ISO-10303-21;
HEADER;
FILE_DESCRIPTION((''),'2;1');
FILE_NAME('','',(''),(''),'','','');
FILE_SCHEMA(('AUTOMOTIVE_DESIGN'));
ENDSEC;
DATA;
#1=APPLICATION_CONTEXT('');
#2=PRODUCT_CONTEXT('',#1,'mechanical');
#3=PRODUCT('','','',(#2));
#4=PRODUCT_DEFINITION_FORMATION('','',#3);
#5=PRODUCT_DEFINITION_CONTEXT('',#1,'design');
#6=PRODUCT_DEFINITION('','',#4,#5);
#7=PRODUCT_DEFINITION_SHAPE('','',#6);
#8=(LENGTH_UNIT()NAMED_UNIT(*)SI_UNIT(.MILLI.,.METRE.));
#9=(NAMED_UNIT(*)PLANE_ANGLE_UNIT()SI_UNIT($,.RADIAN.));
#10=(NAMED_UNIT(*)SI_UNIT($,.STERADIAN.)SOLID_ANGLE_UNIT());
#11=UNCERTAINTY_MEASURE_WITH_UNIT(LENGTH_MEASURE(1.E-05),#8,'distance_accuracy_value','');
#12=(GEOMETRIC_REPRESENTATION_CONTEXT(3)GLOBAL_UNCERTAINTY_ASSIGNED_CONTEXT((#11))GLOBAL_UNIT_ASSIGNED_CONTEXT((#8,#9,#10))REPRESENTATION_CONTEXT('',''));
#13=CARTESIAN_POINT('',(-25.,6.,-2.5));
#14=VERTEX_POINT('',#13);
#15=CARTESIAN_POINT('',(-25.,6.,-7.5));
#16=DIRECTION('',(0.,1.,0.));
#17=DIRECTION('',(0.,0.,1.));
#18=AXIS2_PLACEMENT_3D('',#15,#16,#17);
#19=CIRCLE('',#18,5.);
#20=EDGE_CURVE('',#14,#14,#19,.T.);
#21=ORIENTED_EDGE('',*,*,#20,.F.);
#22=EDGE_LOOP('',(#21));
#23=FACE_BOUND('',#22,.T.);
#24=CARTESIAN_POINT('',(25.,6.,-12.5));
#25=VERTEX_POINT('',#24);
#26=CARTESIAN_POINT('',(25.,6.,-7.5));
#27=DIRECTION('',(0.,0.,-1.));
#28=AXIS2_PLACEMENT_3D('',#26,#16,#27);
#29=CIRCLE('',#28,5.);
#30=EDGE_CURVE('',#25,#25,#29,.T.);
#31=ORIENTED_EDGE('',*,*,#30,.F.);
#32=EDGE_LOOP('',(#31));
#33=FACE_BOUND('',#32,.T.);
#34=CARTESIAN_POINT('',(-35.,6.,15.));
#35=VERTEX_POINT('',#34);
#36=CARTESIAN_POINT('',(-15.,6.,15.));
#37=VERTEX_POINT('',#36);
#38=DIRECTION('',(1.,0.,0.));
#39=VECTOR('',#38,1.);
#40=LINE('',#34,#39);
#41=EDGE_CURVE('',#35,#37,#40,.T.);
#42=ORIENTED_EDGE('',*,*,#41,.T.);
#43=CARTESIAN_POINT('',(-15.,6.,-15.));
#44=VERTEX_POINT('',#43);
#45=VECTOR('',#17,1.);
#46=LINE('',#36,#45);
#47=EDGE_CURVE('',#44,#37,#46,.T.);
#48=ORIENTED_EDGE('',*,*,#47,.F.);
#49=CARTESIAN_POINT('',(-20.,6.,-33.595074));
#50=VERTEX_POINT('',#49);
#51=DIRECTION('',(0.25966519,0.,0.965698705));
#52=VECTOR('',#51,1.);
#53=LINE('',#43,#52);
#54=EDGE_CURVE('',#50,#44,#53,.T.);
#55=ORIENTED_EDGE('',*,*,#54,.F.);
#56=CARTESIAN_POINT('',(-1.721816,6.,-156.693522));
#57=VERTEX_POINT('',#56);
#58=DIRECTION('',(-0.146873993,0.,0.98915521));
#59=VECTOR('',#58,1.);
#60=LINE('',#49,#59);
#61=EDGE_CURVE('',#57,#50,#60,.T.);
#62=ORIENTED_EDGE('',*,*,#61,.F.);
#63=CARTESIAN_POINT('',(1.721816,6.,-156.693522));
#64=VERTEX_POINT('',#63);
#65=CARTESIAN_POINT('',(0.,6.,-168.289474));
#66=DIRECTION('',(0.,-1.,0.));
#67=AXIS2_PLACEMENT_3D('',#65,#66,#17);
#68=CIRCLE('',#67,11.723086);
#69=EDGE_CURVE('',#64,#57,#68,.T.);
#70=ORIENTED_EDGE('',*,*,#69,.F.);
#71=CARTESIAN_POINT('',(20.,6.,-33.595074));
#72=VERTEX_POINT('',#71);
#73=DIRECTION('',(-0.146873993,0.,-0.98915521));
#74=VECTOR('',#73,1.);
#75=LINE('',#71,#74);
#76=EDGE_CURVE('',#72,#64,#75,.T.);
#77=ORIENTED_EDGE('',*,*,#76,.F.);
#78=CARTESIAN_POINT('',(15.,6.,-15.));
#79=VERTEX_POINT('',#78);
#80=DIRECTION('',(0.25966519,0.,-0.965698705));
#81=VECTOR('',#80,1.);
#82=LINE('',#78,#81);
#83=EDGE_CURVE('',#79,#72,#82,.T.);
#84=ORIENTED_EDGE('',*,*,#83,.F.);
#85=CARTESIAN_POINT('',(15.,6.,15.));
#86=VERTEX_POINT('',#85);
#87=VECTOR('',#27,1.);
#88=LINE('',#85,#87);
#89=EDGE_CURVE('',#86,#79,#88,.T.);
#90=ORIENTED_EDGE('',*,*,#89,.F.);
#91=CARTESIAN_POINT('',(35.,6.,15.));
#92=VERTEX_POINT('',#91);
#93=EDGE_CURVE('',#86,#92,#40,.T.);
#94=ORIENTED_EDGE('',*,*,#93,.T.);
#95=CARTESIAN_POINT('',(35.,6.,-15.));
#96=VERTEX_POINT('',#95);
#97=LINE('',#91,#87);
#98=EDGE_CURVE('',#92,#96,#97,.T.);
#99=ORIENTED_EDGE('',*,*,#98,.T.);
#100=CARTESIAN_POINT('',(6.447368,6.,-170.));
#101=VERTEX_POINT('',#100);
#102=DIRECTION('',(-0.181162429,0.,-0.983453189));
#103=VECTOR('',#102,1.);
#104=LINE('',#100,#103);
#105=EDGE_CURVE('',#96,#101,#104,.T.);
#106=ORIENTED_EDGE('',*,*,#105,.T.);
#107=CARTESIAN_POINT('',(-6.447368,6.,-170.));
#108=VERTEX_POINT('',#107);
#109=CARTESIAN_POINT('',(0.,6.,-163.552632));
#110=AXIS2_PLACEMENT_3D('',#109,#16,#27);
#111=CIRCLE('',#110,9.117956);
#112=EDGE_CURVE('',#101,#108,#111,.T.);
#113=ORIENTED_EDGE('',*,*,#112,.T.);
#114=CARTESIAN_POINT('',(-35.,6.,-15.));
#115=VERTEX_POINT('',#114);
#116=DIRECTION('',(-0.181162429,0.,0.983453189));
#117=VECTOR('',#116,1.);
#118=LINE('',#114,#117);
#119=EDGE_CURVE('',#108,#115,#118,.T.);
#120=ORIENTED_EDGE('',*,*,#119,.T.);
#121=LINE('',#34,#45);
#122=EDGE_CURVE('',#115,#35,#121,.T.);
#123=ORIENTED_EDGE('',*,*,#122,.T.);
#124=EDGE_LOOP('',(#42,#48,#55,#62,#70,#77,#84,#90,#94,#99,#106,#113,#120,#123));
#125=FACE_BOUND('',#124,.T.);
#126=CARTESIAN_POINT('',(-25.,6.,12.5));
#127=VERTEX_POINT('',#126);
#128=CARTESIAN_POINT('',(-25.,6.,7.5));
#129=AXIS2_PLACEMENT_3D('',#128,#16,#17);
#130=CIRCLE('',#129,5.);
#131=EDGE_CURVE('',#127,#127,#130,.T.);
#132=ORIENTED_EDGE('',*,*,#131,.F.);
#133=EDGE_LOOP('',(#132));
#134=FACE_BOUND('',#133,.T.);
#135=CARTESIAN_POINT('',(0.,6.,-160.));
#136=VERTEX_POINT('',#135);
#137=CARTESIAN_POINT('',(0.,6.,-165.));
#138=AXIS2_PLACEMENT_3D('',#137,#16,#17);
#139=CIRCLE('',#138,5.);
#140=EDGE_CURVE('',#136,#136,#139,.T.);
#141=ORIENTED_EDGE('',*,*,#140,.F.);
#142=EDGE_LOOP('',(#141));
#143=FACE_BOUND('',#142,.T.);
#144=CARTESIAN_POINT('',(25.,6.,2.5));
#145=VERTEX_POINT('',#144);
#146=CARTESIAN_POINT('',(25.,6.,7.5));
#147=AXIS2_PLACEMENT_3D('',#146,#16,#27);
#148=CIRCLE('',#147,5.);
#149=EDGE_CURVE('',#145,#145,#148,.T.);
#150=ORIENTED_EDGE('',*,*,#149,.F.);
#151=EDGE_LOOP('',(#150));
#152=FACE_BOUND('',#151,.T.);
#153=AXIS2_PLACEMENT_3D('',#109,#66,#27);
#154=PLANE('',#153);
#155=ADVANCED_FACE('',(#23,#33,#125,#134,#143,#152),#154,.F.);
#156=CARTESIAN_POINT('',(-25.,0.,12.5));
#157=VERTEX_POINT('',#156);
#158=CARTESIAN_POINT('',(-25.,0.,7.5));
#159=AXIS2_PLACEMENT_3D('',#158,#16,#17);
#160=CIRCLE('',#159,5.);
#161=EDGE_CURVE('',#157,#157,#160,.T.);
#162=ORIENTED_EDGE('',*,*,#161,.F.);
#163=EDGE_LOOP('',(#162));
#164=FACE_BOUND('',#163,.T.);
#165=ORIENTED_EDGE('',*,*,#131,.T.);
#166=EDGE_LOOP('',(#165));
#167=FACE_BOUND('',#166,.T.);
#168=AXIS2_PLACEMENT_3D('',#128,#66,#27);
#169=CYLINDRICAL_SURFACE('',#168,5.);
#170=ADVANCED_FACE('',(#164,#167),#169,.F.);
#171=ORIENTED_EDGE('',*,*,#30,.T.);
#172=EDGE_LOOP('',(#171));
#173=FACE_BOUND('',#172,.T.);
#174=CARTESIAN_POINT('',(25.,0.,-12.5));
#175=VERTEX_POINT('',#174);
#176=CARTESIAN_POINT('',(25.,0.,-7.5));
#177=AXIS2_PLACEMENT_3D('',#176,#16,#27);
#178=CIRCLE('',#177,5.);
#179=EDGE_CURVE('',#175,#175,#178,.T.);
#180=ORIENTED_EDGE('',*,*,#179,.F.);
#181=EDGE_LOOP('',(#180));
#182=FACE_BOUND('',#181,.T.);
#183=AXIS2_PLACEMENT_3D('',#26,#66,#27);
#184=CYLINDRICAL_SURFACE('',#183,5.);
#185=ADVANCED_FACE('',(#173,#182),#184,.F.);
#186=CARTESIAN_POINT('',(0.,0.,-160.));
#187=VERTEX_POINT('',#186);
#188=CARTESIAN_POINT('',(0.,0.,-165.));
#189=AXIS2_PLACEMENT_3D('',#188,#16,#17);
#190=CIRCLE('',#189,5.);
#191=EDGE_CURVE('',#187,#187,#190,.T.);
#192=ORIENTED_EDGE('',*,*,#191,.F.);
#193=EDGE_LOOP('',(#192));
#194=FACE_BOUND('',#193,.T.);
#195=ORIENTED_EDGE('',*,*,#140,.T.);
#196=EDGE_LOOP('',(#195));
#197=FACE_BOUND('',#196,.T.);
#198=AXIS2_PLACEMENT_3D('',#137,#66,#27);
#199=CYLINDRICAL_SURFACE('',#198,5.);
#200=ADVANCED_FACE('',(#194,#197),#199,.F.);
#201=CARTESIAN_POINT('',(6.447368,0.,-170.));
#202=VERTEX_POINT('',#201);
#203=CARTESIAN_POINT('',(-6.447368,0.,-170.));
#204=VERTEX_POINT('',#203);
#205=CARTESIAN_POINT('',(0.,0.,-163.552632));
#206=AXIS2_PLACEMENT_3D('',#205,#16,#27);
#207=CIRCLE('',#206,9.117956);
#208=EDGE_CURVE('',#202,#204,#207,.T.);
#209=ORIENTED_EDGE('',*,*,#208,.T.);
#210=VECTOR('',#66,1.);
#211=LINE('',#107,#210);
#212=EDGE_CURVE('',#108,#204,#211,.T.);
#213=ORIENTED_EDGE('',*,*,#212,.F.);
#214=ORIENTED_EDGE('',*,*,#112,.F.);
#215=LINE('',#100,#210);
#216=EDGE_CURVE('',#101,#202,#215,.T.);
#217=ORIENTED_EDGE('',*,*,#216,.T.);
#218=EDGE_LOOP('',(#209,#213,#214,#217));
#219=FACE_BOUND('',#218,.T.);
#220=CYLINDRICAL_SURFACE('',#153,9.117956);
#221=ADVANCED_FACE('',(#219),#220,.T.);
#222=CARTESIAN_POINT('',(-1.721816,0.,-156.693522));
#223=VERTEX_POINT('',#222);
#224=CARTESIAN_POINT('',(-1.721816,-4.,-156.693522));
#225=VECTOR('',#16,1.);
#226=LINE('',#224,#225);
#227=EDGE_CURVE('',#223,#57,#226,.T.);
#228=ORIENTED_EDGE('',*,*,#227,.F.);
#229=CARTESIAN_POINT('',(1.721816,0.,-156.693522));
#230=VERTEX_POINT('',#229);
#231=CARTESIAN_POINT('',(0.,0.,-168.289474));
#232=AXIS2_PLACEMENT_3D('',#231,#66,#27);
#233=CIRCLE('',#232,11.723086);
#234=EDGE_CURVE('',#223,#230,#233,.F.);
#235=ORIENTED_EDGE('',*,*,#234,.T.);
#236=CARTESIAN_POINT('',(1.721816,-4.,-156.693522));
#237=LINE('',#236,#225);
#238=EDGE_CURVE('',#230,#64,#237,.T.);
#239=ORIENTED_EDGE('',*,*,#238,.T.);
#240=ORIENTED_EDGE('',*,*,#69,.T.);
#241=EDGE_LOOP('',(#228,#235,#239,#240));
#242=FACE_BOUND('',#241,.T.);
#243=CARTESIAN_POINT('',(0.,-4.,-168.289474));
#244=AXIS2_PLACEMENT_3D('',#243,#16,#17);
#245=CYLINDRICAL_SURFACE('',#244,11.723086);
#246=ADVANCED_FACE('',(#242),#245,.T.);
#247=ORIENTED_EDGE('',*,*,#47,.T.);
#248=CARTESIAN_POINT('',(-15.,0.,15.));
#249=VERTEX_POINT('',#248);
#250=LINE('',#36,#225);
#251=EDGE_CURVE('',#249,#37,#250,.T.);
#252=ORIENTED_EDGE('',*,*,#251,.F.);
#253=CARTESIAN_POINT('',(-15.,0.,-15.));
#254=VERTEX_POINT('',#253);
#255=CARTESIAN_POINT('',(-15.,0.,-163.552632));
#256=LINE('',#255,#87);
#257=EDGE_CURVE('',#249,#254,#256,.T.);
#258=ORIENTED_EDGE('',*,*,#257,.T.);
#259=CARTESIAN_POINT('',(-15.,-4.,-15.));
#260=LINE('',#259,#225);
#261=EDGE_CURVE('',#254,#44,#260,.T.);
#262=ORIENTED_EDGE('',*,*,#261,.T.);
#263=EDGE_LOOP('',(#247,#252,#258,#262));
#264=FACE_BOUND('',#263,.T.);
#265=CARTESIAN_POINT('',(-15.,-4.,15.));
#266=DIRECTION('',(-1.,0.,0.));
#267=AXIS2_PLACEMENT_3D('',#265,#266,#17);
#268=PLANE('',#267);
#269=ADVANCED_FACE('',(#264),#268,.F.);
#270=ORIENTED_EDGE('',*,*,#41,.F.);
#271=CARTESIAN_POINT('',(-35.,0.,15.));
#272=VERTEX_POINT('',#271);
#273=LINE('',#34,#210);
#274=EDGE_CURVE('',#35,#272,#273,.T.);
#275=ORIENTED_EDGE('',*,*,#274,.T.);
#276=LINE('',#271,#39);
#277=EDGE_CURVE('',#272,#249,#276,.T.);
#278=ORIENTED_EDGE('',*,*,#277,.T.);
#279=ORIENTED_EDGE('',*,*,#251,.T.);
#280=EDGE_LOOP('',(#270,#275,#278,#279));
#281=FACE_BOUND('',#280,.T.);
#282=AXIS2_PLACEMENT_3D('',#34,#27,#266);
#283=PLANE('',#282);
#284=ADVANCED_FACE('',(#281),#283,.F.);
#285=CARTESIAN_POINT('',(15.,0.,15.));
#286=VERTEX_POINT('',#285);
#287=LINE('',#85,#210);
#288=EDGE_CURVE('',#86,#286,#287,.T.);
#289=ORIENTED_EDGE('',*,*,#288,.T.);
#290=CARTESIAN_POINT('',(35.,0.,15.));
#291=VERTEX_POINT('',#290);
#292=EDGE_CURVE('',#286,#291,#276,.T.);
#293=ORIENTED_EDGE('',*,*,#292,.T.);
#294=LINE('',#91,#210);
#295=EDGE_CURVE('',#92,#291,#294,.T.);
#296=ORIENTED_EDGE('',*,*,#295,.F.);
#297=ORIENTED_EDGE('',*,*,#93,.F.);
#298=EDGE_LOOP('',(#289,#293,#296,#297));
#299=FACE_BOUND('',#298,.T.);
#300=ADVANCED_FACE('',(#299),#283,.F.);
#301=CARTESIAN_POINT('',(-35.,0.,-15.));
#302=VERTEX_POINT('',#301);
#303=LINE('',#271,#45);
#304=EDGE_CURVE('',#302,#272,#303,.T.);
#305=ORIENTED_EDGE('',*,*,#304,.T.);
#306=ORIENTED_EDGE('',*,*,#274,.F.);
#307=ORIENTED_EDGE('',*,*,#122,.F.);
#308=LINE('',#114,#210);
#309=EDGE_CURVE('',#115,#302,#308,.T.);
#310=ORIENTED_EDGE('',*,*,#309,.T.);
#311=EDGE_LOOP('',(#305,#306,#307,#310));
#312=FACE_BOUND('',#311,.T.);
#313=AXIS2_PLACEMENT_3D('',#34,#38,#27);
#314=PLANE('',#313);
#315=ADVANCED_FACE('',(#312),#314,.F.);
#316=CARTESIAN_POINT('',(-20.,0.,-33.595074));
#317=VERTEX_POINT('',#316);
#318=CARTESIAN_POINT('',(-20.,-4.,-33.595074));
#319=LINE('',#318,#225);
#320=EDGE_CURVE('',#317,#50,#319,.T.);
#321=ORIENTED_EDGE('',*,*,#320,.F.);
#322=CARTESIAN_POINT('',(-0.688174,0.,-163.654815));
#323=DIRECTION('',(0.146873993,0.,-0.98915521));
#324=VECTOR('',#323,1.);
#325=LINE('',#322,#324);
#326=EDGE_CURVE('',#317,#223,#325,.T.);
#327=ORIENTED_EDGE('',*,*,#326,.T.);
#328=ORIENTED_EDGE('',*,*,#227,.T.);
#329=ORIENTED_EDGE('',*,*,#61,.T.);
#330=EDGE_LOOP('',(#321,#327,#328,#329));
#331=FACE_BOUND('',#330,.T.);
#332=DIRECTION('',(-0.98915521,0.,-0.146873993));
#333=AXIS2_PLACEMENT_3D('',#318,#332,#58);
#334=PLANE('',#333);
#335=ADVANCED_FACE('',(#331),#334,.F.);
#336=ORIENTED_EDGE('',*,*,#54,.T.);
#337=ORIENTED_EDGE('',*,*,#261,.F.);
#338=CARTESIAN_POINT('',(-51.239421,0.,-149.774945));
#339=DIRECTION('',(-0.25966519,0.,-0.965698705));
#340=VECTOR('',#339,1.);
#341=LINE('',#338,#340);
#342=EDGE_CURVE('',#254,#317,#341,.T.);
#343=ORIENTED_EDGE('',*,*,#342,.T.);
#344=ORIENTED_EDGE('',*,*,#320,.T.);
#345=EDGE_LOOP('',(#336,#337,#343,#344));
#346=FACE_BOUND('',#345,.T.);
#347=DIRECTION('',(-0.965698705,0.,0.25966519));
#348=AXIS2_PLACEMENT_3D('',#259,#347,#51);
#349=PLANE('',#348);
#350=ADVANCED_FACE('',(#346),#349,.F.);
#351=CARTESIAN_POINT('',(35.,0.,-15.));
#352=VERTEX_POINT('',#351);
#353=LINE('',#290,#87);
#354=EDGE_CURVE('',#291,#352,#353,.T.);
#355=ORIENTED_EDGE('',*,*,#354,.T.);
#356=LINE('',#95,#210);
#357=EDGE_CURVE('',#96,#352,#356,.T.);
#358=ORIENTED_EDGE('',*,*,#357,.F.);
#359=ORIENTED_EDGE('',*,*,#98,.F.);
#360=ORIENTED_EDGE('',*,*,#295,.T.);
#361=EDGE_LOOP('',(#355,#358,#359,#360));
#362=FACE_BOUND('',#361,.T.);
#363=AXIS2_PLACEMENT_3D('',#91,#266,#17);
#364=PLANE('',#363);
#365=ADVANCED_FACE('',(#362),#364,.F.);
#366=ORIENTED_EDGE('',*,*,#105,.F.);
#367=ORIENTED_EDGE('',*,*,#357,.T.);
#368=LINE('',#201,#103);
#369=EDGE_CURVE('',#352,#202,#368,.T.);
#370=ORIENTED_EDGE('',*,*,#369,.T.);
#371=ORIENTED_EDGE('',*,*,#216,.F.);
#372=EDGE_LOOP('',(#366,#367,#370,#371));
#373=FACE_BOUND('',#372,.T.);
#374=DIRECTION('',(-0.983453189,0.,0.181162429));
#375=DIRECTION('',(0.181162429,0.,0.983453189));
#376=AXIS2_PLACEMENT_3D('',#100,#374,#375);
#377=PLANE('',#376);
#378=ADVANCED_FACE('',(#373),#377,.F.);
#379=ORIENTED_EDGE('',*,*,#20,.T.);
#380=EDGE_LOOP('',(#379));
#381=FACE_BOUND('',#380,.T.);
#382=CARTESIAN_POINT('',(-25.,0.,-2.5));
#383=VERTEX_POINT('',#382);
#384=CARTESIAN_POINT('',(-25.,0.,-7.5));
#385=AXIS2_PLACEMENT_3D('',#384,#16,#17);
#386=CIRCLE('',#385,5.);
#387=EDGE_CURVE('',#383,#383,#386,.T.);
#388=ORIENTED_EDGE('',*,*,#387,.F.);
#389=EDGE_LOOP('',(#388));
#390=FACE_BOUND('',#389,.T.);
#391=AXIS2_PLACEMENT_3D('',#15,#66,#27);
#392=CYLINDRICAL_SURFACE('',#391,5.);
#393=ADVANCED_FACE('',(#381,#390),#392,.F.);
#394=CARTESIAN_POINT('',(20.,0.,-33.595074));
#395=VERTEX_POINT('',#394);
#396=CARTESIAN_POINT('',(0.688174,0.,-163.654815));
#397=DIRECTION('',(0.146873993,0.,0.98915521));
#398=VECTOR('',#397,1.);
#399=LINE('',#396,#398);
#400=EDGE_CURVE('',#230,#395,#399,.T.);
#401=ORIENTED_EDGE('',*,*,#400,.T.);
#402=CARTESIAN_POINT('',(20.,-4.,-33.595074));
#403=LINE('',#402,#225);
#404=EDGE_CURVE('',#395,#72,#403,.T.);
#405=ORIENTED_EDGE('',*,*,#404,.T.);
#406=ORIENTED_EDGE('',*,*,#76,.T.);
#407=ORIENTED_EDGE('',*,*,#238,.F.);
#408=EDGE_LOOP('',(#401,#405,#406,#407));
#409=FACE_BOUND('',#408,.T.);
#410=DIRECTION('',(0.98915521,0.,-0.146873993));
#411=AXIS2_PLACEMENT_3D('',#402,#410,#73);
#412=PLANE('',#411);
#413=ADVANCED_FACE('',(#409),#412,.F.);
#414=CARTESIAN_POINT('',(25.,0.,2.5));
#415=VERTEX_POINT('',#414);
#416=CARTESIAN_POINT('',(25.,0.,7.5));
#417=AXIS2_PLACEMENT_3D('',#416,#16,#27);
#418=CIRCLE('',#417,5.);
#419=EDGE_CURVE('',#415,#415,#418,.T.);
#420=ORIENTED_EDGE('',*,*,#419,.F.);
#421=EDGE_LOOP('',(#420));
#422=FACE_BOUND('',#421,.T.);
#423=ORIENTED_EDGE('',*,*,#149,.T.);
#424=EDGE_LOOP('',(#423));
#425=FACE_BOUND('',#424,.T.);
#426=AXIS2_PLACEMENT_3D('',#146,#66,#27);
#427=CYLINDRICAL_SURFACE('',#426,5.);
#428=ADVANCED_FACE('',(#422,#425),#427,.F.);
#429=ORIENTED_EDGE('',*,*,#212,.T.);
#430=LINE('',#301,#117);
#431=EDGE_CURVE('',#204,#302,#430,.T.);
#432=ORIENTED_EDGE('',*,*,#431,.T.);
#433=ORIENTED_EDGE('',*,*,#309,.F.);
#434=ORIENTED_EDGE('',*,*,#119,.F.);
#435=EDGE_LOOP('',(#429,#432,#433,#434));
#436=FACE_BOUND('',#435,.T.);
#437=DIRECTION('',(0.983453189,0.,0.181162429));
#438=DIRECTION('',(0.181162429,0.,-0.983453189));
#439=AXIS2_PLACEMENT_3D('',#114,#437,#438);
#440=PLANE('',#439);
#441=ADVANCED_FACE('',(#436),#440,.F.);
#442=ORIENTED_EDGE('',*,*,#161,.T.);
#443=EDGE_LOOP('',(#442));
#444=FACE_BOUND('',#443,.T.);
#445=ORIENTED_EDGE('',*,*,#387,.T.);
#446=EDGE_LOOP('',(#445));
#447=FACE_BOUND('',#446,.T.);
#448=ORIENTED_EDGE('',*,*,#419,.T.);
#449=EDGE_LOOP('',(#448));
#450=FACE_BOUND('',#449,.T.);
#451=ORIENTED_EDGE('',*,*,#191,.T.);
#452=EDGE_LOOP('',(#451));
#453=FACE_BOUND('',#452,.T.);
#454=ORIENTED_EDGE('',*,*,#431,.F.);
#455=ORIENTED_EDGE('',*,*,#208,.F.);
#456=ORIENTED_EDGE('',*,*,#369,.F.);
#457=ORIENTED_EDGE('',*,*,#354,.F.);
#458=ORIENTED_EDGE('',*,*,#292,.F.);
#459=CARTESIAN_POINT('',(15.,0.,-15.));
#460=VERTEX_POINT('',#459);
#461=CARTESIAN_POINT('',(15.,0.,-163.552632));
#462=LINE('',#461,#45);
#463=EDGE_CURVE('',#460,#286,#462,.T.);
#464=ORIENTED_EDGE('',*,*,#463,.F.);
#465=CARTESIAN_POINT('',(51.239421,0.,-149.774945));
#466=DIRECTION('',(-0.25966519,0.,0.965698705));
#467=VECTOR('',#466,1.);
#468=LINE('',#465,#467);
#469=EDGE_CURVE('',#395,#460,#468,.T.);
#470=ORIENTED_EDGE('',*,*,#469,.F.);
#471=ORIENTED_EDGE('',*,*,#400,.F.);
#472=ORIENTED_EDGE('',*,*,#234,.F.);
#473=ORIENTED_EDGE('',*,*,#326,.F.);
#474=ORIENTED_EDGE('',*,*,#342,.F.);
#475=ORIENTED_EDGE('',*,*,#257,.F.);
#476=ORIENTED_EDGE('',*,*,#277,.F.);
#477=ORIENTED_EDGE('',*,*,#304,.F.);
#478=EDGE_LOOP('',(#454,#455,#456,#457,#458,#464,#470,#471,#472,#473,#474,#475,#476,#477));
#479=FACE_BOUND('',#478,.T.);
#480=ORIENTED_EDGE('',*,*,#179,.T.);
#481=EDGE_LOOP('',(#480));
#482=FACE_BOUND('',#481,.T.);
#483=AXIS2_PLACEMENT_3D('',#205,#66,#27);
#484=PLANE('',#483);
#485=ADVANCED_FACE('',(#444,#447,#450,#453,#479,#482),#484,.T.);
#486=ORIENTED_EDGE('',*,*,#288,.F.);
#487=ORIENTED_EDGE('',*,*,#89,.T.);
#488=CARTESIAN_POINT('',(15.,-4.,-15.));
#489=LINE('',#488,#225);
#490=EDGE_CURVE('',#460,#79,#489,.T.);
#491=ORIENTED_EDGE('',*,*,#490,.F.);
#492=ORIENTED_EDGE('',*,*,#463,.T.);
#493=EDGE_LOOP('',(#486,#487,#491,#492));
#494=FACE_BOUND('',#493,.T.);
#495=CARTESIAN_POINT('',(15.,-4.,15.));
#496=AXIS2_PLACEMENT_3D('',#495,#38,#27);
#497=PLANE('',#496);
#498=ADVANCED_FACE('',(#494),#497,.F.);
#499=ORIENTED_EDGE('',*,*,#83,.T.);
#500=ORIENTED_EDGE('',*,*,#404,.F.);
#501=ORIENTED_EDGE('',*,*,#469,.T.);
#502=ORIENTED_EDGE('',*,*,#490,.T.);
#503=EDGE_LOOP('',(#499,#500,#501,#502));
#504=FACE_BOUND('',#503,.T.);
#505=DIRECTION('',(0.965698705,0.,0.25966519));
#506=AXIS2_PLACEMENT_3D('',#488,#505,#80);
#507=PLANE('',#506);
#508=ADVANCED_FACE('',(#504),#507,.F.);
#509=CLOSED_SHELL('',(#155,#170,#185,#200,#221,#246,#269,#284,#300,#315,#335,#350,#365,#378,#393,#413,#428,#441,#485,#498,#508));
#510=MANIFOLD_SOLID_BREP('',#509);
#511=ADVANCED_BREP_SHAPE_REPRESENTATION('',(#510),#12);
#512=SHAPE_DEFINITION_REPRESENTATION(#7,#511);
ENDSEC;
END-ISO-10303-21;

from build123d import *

# Parameters (mm, degrees)
SKETCH1_R           = 5
BOSS_EXTRUDE1_DEPTH = 6
CUT_EXTRUDE1_DEPTH  = 10


with BuildPart() as part:
    # Sketch1 → Boss-Extrude1 (new body)
    with BuildSketch(Plane(origin=(0, 0, 0), x_dir=(1, 0, 0), z_dir=(0, 1, 0))):
        with BuildLine():
            Line((-35, -15), (35, -15))
            Line((35, -15), (35, 15))
            Line((35, 15), (6.447368421, 170))
            ThreePointArc((6.447368421, 170), (0, 172.670587442), (-6.447368421, 170))
            Line((-6.447368421, 170), (-35, 15))
            Line((-35, 15), (-35, -15))
        make_face()
        with Locations(Location((0, 165, 0), (0, 0, 270))):
            Circle(SKETCH1_R, mode=Mode.SUBTRACT)
        with Locations(Location((-25, 7.5, 0), (0, 0, 270))):
            Circle(SKETCH1_R, mode=Mode.SUBTRACT)
        with Locations(Location((-25, -7.5, 0), (0, 0, 270))):
            Circle(SKETCH1_R, mode=Mode.SUBTRACT)
        with Locations(Location((25, 7.5, 0), (0, 0, 90))):
            Circle(SKETCH1_R, mode=Mode.SUBTRACT)
        with Locations(Location((25, -7.5, 0), (0, 0, 90))):
            Circle(SKETCH1_R, mode=Mode.SUBTRACT)
    extrude(amount=BOSS_EXTRUDE1_DEPTH)

    # Sketch6 → Cut-Extrude1 (cut)
    with BuildSketch(Plane(origin=(0, 6, 0), x_dir=(1, 0, 0), z_dir=(0, 1, 0))):
        with BuildLine():
            Line((-15, -15), (-15, 15))
            Line((-15, 15), (-20, 33.595074374))
            Line((-20, 33.595074374), (-1.721816463, 156.693521977))
            ThreePointArc((-1.721816463, 156.693521977), (0, 156.566387575), (1.721816463, 156.693521977))
            Line((1.721816463, 156.693521977), (20, 33.595074374))
            Line((20, 33.595074374), (15, 15))
            Line((15, 15), (15, -15))
            Line((15, -15), (-15, -15))
        make_face()
    extrude(amount=-CUT_EXTRUDE1_DEPTH, mode=Mode.SUBTRACT)


solid = part.part
